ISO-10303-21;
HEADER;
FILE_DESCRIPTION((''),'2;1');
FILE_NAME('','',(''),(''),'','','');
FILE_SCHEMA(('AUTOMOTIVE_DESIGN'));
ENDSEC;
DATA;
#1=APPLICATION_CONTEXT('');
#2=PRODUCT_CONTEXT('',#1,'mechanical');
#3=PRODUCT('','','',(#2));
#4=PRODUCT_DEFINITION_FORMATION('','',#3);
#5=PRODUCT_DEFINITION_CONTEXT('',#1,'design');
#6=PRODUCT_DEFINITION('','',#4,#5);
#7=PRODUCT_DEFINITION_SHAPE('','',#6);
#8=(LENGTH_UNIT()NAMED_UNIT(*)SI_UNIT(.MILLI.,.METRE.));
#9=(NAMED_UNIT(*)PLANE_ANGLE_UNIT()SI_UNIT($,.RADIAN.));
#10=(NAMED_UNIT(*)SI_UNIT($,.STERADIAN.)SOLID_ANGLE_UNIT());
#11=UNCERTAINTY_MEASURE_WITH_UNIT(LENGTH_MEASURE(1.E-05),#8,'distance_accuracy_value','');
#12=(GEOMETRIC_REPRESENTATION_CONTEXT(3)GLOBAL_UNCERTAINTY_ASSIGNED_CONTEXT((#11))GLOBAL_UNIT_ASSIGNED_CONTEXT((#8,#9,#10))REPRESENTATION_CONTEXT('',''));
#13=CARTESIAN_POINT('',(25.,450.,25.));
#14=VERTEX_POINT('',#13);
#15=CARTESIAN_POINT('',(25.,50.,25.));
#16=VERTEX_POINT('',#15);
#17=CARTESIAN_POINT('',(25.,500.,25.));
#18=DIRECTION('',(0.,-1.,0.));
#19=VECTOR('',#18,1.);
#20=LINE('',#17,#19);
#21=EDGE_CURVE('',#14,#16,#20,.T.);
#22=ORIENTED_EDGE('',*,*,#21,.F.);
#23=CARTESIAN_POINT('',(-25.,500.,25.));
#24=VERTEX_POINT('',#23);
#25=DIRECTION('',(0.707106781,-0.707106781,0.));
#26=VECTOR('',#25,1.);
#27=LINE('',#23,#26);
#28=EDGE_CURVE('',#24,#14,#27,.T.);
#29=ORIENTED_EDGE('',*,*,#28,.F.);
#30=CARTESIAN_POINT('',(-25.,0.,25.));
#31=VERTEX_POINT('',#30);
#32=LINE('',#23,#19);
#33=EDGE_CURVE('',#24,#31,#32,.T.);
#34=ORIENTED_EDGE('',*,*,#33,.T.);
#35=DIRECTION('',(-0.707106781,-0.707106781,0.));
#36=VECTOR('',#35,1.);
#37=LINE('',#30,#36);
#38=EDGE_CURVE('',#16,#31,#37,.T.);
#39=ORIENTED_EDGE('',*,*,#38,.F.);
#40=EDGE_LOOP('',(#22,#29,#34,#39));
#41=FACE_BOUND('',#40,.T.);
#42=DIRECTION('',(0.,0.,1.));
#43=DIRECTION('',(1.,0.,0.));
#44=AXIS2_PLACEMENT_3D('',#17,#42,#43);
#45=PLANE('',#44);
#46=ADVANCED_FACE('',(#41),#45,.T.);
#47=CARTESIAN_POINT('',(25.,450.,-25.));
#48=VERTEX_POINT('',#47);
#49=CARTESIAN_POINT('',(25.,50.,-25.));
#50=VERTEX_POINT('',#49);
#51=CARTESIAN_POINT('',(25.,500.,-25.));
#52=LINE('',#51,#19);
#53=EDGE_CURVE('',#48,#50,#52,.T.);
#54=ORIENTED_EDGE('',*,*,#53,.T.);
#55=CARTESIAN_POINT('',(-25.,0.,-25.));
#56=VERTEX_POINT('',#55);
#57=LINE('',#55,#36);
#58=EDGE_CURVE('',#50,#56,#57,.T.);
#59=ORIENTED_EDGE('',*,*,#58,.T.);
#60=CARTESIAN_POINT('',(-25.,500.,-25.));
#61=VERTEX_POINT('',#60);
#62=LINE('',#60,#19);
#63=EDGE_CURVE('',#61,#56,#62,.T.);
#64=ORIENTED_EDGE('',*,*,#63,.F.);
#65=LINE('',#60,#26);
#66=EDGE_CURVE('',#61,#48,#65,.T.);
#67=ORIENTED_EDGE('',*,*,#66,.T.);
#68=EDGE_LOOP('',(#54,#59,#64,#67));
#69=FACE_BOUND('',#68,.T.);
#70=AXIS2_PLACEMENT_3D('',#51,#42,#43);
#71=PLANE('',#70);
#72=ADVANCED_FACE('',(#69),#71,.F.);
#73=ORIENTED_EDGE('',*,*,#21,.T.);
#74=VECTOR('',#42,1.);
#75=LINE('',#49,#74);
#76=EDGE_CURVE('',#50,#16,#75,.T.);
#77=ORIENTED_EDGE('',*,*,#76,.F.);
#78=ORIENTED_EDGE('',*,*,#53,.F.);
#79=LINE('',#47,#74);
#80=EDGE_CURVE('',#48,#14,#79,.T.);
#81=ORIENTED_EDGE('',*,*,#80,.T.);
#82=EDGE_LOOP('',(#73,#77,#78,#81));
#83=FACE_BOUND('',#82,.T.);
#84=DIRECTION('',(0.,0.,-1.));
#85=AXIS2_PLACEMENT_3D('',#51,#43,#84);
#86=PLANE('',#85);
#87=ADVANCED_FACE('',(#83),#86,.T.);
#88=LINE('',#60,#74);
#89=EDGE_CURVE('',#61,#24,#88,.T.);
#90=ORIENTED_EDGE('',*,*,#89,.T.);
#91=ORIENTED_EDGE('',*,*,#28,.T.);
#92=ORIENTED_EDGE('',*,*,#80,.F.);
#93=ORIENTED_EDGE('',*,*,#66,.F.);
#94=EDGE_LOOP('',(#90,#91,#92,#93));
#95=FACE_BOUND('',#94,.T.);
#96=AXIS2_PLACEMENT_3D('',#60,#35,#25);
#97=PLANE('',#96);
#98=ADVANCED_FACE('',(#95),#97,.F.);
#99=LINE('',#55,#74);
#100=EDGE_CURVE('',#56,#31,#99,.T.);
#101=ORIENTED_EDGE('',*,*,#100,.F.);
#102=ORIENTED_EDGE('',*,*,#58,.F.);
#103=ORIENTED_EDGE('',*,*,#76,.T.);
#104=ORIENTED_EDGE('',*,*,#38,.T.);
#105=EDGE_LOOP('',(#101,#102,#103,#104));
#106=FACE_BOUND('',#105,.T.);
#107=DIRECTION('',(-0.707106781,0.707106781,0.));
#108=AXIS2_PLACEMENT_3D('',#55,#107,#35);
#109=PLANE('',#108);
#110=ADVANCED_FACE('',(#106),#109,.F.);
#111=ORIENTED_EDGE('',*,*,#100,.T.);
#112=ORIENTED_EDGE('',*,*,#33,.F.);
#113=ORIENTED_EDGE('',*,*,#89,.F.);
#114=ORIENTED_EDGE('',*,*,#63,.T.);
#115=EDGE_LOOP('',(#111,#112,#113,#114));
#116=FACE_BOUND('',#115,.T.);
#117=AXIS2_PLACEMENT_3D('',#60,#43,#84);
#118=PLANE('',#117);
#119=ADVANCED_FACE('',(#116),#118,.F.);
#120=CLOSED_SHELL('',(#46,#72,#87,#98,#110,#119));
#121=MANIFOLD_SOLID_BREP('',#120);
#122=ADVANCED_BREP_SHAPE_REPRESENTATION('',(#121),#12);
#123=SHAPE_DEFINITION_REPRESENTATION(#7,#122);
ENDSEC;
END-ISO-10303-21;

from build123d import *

# Parameters (mm, degrees)
SKETCH_1_W          = 50
SKETCH_1_H          = 50
EXTRUDE_2_DEPTH     = 500
CUT_EXTRUDE_2_DEPTH = 50


with BuildPart() as part:
    # Эскиз1 → Бобышка-Вытянуть2 (new body)
    with BuildSketch(Plane(origin=(0, 0, 0), x_dir=(1, 0, 0), z_dir=(0, 1, 0))):
        Rectangle(SKETCH_1_W, SKETCH_1_H)
    extrude(amount=EXTRUDE_2_DEPTH)

    # Эскиз2 → Вырез-Вытянуть2 (cut)
    with BuildSketch(Plane.XY.offset(25)):
        Polygon((-25, 500), (25, 450), (25, 500), align=None)
        Polygon((-25, 0), (25, 50), (25, 0), align=None)
    extrude(amount=-CUT_EXTRUDE_2_DEPTH, mode=Mode.SUBTRACT)


solid = part.part
